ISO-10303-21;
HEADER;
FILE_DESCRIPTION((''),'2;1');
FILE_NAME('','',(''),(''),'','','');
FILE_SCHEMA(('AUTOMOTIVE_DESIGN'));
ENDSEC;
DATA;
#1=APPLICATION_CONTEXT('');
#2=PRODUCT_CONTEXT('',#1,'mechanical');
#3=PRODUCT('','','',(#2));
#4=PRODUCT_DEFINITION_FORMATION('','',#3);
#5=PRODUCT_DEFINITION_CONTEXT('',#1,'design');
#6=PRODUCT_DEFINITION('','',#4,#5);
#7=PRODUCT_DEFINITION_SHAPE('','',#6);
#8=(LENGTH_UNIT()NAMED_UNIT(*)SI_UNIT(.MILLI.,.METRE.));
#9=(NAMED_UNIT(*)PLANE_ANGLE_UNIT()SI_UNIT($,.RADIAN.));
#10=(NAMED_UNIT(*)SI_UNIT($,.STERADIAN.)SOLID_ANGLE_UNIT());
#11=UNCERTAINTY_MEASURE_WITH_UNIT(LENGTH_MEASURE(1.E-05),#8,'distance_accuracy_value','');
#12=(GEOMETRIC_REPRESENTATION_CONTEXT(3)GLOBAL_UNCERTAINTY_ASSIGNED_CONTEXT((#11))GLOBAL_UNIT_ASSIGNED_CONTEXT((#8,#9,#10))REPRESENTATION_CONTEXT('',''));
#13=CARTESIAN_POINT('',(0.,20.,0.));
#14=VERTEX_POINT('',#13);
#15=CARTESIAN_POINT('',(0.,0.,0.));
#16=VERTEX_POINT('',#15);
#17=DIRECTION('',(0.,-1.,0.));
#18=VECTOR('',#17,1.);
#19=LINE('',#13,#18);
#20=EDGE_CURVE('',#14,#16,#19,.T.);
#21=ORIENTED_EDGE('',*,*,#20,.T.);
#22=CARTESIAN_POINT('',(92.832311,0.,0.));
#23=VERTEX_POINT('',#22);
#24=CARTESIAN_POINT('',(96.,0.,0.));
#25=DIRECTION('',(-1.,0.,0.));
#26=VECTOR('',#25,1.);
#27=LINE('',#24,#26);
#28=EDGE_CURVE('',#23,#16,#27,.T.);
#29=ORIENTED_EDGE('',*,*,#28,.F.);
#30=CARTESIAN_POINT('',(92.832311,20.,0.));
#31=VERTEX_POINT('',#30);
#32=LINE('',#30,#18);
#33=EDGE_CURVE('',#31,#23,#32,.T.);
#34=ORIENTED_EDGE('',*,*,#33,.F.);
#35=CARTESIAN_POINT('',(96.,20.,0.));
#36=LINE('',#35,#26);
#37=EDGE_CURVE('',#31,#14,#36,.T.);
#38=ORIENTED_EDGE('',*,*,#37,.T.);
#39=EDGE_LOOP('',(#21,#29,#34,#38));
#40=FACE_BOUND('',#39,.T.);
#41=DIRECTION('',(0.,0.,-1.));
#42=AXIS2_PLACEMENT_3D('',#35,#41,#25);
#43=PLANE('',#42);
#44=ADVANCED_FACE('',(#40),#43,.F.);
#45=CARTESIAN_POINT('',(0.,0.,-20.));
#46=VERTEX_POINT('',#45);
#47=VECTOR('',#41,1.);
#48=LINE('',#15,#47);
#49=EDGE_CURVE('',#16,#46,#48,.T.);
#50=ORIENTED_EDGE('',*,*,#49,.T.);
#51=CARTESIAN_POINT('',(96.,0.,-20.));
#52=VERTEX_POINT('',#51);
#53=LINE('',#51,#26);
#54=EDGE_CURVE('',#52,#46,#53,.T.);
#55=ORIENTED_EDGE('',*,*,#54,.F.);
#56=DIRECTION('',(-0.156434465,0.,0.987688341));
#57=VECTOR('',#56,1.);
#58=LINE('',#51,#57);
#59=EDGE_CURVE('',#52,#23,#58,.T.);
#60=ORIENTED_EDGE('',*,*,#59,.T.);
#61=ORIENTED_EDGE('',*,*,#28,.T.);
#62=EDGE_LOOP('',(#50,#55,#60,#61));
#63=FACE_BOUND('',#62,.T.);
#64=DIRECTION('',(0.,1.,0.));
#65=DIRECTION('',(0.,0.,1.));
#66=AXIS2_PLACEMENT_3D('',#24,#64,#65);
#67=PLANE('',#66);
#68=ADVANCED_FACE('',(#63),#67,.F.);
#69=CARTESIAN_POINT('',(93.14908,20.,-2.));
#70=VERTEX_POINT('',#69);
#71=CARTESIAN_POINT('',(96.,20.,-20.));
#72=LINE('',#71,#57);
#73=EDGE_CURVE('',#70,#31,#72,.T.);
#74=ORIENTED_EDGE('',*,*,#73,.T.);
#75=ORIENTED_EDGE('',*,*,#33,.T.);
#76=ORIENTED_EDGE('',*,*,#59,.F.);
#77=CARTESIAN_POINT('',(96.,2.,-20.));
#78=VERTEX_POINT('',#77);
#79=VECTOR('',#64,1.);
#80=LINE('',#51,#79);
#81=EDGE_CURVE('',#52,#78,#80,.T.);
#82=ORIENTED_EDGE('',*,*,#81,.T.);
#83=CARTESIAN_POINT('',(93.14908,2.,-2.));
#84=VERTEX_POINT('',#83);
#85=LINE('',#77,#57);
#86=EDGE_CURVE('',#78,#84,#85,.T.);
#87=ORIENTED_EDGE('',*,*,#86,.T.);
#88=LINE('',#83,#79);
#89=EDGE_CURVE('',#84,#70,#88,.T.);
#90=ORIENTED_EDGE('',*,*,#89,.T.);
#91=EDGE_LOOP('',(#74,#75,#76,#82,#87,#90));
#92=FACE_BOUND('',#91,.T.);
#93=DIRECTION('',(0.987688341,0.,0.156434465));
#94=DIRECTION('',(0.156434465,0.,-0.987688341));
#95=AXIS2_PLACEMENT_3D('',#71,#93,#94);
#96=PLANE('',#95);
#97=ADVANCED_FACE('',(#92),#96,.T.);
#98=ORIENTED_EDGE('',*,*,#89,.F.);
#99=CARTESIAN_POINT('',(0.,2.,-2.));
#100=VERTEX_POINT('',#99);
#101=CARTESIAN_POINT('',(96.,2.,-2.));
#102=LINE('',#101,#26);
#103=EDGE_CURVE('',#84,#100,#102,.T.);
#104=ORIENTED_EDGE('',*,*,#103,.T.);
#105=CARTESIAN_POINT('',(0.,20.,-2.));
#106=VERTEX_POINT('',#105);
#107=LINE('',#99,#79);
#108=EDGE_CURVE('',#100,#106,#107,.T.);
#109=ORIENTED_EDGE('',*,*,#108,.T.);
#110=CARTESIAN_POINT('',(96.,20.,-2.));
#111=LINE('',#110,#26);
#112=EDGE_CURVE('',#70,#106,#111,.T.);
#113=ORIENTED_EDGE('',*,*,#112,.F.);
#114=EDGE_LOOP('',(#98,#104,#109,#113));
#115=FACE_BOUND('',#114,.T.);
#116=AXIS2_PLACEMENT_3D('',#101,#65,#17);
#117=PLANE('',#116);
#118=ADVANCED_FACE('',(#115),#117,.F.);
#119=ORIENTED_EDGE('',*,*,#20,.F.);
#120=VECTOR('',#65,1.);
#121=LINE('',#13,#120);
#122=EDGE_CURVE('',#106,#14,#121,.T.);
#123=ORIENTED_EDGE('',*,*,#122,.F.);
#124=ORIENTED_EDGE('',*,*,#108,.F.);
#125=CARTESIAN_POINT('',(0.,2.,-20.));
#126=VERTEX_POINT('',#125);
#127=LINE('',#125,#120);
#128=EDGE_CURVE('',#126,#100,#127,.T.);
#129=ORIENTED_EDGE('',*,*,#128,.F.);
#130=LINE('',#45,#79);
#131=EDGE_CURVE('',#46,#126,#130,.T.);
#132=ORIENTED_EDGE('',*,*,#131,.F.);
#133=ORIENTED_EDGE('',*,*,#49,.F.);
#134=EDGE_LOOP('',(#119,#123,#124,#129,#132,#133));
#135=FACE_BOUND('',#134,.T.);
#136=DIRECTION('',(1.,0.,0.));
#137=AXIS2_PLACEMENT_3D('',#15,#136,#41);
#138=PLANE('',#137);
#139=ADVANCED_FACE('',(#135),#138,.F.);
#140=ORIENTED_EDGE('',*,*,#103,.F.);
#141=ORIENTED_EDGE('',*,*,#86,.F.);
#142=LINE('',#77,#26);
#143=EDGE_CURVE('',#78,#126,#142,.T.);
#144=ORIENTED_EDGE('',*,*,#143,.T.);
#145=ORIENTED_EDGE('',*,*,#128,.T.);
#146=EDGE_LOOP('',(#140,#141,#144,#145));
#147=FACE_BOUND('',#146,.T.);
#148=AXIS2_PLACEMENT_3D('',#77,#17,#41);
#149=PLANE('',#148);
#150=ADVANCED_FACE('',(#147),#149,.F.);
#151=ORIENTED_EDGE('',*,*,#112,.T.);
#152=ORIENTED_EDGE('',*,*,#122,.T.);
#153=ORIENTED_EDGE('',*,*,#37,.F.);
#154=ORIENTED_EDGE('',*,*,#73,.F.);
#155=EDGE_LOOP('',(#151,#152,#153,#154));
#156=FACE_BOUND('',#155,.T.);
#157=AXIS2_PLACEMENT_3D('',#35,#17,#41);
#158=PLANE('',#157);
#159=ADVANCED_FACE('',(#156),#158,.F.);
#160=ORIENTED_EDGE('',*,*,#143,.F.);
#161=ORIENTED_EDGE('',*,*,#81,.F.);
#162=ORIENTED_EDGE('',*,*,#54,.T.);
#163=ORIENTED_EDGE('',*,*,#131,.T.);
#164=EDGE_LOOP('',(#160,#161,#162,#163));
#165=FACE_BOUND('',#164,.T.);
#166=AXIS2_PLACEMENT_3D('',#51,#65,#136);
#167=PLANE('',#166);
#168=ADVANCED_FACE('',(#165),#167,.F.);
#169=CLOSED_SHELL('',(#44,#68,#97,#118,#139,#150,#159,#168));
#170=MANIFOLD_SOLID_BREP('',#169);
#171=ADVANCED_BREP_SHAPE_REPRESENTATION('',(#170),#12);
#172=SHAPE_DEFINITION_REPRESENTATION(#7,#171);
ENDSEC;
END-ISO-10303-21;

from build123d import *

# Parameters (mm, degrees)
BOSS_EXTRUDE1_DEPTH = 96
CUT_EXTRUDE1_DEPTH  = 101.079968026


with BuildPart() as part:
    # Sketch1 → Boss-Extrude1 (new body)
    with BuildSketch(Plane(origin=(0, 0, 0), x_dir=(0, 0, -1), z_dir=(1, 0, 0))):
        Polygon((0, 20), (0, 0), (20, 0), (20, 2), (2, 2), (2, 20), align=None)
    extrude(amount=BOSS_EXTRUDE1_DEPTH)

    # Sketch2 → Cut-Extrude1 (cut, through all)
    with BuildSketch(Plane(origin=(0, 0, 0), x_dir=(1, 0, 0), z_dir=(0, 1, 0))):
        Polygon((96, 20), (92.832311194, 0), (96, 0), align=None)
    extrude(amount=CUT_EXTRUDE1_DEPTH, mode=Mode.SUBTRACT)


solid = part.part
